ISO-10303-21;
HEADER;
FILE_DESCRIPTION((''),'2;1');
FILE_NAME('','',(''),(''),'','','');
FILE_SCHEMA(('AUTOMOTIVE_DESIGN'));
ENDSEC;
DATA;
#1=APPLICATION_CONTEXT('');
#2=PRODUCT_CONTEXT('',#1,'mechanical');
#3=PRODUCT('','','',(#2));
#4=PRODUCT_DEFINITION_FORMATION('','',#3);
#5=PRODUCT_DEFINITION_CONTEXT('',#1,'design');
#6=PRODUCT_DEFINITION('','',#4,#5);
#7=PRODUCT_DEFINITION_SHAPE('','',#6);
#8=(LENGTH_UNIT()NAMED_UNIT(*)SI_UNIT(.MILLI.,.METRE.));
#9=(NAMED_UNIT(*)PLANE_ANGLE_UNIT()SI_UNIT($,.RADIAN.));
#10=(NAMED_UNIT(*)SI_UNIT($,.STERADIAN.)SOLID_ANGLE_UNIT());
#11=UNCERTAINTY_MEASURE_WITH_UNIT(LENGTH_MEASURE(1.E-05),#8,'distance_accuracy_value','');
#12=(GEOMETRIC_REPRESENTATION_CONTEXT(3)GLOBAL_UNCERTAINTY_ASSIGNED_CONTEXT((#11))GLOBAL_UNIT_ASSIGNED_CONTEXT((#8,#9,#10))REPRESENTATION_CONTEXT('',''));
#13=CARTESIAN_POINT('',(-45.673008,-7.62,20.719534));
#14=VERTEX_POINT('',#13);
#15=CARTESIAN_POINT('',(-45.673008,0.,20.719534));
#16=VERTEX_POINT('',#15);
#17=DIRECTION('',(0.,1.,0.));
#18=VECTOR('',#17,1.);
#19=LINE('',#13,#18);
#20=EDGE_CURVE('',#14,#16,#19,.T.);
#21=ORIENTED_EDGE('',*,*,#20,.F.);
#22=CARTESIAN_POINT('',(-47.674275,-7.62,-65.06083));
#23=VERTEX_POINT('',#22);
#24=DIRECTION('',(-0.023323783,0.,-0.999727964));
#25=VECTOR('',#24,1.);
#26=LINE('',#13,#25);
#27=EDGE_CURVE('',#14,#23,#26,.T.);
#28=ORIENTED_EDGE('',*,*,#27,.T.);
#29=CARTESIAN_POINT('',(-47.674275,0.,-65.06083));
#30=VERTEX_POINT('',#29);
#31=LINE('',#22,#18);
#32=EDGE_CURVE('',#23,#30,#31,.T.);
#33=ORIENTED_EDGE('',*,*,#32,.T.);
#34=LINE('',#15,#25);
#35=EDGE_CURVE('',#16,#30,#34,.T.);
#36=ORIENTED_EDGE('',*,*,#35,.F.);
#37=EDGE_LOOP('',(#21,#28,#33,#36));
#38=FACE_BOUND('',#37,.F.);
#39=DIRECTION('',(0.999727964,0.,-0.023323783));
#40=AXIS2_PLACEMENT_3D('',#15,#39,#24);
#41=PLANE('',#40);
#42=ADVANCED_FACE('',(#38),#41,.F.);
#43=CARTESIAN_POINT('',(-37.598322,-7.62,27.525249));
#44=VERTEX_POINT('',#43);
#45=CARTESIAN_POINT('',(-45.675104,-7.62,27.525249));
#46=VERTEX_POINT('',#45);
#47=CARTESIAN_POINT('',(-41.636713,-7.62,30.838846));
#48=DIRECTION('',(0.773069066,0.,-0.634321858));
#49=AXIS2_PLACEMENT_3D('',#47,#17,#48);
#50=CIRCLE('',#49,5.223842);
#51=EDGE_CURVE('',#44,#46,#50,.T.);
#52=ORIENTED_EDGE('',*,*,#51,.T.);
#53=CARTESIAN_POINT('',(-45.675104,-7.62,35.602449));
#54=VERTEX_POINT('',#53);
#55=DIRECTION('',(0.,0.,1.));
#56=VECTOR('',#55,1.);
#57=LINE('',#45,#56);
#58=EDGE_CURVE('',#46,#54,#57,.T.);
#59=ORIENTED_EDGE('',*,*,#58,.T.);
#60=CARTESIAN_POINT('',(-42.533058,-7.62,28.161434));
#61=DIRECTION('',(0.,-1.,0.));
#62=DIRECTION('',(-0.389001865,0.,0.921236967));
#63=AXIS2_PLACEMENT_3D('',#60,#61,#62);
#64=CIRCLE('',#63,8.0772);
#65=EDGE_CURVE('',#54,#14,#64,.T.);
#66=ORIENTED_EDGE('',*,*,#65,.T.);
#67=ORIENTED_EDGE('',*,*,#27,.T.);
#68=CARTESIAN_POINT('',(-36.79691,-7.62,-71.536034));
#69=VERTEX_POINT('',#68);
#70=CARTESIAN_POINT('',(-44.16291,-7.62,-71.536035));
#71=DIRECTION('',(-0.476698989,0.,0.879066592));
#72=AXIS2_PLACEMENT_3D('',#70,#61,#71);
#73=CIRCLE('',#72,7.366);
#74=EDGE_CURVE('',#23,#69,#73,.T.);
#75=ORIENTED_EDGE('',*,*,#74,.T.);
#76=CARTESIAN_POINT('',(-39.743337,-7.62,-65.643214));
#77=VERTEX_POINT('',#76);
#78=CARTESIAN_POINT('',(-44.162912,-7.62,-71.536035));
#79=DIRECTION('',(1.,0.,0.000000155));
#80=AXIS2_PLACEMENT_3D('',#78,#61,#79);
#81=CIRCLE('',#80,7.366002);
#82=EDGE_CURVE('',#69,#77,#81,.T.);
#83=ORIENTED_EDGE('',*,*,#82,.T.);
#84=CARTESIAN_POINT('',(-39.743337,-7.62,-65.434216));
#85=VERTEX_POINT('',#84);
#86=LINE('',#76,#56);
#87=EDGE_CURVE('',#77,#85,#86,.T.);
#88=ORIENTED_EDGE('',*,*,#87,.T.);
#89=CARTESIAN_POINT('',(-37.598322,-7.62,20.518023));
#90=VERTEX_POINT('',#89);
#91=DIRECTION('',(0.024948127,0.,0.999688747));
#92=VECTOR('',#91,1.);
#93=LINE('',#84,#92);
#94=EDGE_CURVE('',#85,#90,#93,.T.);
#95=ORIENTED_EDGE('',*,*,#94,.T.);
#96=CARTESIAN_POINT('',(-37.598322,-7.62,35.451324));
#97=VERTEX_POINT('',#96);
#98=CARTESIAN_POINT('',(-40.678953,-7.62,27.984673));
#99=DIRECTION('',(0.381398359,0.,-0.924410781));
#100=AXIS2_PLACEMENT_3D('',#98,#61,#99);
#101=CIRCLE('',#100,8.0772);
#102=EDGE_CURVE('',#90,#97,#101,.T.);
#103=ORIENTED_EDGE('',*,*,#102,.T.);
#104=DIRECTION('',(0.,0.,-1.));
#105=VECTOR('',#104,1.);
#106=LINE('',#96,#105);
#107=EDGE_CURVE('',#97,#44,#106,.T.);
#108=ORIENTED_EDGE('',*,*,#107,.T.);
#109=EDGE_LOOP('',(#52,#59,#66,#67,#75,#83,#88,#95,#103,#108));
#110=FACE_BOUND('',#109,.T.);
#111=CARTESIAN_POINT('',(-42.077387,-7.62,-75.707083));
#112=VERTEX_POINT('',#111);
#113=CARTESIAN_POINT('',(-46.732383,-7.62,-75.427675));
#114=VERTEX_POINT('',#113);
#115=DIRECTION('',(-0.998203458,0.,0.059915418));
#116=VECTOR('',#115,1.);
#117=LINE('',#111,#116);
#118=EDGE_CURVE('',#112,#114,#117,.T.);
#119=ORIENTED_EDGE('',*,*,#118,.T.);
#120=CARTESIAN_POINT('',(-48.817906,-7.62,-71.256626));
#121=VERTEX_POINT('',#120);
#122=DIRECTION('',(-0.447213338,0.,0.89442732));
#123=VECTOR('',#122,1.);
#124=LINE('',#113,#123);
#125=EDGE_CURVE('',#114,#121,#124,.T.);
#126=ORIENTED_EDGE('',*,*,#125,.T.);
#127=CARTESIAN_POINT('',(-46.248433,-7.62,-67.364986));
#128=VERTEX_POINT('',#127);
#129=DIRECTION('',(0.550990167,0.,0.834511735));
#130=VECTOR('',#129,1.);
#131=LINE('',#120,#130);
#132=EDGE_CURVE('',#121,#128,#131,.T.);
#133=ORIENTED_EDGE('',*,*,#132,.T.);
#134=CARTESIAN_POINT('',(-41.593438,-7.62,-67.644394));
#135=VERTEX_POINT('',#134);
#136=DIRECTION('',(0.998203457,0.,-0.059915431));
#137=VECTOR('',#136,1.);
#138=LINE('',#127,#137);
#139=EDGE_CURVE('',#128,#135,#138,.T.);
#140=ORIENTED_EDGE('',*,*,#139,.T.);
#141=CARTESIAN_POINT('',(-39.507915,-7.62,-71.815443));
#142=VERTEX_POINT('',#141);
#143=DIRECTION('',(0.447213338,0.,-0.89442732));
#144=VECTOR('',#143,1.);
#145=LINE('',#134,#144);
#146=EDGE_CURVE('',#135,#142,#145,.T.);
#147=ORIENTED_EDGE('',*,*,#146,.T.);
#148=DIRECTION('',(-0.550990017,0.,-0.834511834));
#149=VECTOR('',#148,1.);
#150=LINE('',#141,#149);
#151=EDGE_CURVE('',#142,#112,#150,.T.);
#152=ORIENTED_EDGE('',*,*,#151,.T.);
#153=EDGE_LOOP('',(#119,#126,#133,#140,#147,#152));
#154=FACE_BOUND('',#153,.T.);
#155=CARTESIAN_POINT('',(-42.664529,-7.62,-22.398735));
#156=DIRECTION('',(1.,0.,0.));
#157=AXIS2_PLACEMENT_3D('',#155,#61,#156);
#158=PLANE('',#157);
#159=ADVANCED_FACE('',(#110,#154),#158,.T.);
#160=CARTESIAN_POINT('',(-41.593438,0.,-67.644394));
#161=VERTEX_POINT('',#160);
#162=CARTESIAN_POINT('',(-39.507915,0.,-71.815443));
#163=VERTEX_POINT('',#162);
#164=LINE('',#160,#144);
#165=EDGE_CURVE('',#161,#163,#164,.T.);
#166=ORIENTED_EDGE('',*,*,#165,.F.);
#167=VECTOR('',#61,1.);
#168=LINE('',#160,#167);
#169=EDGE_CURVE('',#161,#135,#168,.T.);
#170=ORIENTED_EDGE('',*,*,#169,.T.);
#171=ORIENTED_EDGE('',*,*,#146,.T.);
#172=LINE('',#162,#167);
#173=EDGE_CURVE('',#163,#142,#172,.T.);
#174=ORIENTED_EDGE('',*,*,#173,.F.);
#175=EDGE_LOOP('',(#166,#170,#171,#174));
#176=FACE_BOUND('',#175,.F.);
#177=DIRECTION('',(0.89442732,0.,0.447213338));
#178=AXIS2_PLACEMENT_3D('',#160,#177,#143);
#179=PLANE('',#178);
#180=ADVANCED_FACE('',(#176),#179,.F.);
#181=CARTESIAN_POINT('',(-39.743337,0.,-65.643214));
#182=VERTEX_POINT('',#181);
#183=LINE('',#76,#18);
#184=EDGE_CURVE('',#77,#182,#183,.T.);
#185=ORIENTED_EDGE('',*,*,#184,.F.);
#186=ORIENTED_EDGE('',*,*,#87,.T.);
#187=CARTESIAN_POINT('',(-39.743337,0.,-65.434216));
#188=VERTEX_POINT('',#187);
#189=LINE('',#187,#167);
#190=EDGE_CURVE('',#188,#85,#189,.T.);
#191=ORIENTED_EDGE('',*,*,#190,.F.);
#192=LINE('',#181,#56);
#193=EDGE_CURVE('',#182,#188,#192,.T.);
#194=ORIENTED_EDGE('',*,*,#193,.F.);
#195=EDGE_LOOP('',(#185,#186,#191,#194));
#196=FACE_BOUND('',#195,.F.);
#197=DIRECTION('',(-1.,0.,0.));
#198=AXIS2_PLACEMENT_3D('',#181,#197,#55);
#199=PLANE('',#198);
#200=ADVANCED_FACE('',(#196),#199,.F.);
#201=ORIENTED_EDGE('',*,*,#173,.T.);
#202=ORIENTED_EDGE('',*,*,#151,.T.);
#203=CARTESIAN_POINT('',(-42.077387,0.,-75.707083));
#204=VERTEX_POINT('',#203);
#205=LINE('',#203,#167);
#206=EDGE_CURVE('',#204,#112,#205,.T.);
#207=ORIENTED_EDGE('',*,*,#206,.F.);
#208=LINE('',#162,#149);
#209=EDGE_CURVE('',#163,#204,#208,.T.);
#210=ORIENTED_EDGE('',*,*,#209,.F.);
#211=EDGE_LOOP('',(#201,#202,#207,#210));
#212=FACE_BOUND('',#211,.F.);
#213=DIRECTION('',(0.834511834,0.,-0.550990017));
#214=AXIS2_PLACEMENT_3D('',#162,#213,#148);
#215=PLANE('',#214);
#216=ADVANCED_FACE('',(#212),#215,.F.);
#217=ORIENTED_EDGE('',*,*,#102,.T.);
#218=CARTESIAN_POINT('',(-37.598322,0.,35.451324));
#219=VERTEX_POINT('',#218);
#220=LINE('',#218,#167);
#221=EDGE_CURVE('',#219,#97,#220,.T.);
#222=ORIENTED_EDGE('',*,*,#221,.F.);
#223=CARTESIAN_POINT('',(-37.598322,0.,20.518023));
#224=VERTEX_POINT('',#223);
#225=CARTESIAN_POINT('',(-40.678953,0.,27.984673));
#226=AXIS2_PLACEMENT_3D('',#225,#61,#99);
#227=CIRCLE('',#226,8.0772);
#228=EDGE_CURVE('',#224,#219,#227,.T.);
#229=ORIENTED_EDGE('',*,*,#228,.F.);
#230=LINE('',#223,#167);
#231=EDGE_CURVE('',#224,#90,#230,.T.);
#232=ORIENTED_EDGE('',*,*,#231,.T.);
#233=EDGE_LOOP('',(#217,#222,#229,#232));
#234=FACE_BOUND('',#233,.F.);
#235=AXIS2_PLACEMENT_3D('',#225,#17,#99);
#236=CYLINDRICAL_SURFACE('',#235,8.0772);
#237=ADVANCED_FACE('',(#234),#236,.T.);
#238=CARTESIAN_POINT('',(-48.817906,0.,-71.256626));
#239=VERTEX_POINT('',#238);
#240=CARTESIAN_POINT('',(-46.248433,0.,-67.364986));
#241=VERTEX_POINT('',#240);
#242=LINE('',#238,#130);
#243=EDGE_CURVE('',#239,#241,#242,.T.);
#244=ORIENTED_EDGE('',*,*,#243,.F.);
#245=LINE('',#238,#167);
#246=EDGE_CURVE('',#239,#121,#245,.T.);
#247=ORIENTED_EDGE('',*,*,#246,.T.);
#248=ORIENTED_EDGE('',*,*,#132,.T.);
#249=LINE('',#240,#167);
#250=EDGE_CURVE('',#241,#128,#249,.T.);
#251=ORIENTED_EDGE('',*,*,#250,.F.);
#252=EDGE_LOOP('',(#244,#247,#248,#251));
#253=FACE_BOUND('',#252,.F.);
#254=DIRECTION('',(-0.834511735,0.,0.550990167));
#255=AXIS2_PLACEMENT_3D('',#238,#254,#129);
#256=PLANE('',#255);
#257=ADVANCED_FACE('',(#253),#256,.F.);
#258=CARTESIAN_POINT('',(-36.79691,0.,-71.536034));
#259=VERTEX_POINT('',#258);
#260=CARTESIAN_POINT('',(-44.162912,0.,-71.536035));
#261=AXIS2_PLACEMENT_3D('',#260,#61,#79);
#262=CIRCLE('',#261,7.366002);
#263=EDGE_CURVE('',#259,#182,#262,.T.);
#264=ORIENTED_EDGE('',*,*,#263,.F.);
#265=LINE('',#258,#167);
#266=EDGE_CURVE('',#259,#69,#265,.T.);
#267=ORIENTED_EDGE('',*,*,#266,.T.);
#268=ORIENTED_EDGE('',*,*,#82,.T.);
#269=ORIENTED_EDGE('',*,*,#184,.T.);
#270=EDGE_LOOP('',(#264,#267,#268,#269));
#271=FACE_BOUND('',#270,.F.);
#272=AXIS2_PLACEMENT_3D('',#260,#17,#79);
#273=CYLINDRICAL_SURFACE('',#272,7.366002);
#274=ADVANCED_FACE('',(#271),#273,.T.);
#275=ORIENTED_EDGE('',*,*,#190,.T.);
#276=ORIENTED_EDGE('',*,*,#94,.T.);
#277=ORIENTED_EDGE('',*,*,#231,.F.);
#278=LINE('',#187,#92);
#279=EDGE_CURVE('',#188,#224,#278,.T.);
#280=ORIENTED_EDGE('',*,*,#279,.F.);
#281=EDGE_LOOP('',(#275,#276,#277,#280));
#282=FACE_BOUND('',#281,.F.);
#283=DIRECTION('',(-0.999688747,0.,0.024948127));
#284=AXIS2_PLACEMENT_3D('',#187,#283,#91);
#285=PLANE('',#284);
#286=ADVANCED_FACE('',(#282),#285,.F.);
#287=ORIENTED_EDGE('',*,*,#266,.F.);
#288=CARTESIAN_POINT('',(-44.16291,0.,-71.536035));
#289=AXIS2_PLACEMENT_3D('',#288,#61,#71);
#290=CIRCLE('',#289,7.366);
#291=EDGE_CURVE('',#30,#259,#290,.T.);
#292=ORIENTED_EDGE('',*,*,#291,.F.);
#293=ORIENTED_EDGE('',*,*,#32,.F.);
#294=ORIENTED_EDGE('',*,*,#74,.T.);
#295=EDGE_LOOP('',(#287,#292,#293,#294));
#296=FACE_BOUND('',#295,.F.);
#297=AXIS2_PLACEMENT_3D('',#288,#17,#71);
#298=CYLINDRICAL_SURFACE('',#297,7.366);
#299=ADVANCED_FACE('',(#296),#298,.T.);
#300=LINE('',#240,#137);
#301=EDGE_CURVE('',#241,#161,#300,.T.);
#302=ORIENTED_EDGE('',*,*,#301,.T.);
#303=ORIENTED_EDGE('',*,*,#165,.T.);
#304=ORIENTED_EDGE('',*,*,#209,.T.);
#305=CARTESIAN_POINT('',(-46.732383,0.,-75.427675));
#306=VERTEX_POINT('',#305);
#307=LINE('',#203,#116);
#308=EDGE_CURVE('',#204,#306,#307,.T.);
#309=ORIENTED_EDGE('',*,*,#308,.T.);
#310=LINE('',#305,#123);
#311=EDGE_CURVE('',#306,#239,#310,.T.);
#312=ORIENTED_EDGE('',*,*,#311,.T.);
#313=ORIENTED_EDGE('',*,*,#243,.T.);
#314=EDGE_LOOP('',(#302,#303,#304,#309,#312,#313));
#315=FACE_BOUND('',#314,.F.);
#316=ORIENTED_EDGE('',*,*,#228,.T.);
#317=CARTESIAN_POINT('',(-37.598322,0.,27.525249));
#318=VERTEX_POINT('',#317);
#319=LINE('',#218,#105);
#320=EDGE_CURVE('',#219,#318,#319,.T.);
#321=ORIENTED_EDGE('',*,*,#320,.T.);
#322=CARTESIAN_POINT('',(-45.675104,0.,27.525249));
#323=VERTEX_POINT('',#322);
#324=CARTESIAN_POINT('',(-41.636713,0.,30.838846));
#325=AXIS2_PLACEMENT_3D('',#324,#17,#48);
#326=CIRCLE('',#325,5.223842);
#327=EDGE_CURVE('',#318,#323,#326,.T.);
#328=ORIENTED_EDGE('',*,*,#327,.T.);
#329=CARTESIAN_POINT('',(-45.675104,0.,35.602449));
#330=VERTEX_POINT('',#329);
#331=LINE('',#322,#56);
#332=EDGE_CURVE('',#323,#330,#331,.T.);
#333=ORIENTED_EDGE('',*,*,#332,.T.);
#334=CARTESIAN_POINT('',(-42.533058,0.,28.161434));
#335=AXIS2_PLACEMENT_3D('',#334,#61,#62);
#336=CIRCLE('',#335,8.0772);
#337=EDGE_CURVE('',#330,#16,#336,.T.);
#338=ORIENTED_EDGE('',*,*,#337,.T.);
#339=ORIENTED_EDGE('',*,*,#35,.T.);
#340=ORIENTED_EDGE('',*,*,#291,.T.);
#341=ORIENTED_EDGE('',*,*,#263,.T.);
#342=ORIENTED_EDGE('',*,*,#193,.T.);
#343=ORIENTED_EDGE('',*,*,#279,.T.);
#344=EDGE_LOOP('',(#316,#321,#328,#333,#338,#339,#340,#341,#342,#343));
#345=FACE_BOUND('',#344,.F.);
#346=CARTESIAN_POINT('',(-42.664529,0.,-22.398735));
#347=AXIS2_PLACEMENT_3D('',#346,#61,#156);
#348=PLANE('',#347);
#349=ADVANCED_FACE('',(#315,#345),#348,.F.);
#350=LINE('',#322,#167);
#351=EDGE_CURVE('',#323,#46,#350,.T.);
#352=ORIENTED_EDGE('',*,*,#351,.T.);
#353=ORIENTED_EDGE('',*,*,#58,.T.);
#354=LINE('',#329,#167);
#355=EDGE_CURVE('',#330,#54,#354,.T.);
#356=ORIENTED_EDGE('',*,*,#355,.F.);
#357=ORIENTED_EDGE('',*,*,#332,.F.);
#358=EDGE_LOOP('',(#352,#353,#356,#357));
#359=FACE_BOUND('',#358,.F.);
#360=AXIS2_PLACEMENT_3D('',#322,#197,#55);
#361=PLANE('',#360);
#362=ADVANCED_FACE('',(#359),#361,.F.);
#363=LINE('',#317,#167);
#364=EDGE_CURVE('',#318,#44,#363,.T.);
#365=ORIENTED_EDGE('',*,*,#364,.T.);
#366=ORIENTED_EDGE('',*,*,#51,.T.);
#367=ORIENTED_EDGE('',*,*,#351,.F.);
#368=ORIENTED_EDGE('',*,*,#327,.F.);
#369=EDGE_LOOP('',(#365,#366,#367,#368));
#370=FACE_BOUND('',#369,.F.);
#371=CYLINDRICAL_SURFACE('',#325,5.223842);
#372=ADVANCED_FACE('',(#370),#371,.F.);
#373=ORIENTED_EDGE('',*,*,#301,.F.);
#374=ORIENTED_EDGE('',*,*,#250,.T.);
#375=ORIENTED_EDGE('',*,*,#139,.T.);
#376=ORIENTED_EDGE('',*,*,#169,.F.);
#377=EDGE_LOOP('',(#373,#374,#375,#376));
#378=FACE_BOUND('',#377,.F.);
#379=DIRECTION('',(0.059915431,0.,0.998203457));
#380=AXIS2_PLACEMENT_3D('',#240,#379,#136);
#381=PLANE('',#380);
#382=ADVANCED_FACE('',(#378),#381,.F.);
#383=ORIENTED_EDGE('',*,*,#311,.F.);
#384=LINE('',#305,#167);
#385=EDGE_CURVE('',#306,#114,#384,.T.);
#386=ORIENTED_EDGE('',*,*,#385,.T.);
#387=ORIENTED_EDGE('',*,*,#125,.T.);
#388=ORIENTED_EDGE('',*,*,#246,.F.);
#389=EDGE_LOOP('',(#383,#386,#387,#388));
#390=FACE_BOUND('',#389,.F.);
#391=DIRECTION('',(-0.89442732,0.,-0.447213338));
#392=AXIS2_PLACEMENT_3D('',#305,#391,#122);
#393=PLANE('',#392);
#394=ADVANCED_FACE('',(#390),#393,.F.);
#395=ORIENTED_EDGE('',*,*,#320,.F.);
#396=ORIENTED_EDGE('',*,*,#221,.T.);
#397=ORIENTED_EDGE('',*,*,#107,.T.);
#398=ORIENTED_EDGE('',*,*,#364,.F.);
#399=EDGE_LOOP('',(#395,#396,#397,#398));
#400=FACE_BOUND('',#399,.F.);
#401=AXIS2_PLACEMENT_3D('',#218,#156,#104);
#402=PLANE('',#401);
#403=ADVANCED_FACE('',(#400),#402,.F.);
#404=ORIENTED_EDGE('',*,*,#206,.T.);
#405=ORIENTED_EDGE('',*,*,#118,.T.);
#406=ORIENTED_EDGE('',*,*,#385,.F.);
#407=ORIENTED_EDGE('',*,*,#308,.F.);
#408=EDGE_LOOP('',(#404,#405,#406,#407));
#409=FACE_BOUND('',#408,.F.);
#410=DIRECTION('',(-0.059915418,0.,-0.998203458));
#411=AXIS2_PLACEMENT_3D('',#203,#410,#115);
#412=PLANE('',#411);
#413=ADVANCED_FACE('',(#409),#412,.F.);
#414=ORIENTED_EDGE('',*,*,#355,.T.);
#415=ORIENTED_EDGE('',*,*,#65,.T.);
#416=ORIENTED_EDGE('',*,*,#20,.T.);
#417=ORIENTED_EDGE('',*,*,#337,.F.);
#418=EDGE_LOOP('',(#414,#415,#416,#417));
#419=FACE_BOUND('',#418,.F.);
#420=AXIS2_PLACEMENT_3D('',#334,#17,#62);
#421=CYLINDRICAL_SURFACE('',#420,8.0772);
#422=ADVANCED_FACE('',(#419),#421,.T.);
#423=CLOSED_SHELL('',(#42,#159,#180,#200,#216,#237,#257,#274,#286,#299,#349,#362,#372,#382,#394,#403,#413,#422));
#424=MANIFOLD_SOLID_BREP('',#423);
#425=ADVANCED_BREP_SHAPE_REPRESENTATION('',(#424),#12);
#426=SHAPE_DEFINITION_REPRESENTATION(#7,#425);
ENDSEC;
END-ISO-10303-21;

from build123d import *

# Parameters (mm, degrees)
F1_DEPTH = 6.35
F2_DEPTH = 7.62


with BuildPart() as f1:
    # F0 (on Front) → F1 (new body)
    with BuildSketch(Plane.XZ):
        with BuildLine():
            Line((-39.743337, -65.643214), (-39.743337, -65.434216))
            Line((-39.743337, -65.434216), (-37.598322, 20.518023))
            Line((-37.598322, 20.518023), (-45.673008, 20.719534))
            Line((-45.673008, 20.719534), (-47.674275, -65.06083))
            ThreePointArc((-47.674275, -65.06083), (-43.623463, -64.189814), (-39.743337, -65.643214))
        make_face()
    extrude(amount=F1_DEPTH)

    # F0 (on Front) → F2 (join)
    with BuildSketch(Plane.XZ):
        with BuildLine():
            Line((-39.743337, -65.643214), (-39.743337, -65.434216))
            Line((-39.743337, -65.434216), (-37.598322, 20.518023))
            Line((-37.598322, 20.518023), (-45.673008, 20.719534))
            Line((-45.673008, 20.719534), (-47.674275, -65.06083))
            ThreePointArc((-47.674275, -65.06083), (-43.623463, -64.189814), (-39.743337, -65.643214))
        make_face()
        with BuildLine():
            Line((-45.673008, 20.719534), (-37.598322, 20.518023))
            ThreePointArc((-37.598322, 20.518023), (-32.601753, 27.984673), (-37.598322, 35.451324))
            Line((-37.598322, 35.451324), (-37.598322, 27.525249))
            ThreePointArc((-37.598322, 27.525249), (-41.636713, 25.615004), (-45.675104, 27.525249))
            Line((-45.675104, 27.525249), (-45.675104, 35.602449))
            ThreePointArc((-45.675104, 35.602449), (-50.610258, 28.160296), (-45.673008, 20.719534))
        make_face()
        with BuildLine():
            ThreePointArc((-36.79691, -71.536034), (-37.574567, -68.241844), (-39.743337, -65.643214))
            ThreePointArc((-39.743337, -65.643214), (-43.623463, -64.189814), (-47.674275, -65.06083))
            ThreePointArc((-47.674275, -65.06083), (-47.930751, -77.865437), (-36.79691, -71.536034))
        make_face()
        Polygon((-46.248433, -67.364986), (-41.593438, -67.644394), (-39.507915, -71.815443), (-42.077387, -75.707083), (-46.732383, -75.427675), (-48.817906, -71.256626), align=None, mode=Mode.SUBTRACT)
    extrude(amount=F2_DEPTH)


solid = f1.part
